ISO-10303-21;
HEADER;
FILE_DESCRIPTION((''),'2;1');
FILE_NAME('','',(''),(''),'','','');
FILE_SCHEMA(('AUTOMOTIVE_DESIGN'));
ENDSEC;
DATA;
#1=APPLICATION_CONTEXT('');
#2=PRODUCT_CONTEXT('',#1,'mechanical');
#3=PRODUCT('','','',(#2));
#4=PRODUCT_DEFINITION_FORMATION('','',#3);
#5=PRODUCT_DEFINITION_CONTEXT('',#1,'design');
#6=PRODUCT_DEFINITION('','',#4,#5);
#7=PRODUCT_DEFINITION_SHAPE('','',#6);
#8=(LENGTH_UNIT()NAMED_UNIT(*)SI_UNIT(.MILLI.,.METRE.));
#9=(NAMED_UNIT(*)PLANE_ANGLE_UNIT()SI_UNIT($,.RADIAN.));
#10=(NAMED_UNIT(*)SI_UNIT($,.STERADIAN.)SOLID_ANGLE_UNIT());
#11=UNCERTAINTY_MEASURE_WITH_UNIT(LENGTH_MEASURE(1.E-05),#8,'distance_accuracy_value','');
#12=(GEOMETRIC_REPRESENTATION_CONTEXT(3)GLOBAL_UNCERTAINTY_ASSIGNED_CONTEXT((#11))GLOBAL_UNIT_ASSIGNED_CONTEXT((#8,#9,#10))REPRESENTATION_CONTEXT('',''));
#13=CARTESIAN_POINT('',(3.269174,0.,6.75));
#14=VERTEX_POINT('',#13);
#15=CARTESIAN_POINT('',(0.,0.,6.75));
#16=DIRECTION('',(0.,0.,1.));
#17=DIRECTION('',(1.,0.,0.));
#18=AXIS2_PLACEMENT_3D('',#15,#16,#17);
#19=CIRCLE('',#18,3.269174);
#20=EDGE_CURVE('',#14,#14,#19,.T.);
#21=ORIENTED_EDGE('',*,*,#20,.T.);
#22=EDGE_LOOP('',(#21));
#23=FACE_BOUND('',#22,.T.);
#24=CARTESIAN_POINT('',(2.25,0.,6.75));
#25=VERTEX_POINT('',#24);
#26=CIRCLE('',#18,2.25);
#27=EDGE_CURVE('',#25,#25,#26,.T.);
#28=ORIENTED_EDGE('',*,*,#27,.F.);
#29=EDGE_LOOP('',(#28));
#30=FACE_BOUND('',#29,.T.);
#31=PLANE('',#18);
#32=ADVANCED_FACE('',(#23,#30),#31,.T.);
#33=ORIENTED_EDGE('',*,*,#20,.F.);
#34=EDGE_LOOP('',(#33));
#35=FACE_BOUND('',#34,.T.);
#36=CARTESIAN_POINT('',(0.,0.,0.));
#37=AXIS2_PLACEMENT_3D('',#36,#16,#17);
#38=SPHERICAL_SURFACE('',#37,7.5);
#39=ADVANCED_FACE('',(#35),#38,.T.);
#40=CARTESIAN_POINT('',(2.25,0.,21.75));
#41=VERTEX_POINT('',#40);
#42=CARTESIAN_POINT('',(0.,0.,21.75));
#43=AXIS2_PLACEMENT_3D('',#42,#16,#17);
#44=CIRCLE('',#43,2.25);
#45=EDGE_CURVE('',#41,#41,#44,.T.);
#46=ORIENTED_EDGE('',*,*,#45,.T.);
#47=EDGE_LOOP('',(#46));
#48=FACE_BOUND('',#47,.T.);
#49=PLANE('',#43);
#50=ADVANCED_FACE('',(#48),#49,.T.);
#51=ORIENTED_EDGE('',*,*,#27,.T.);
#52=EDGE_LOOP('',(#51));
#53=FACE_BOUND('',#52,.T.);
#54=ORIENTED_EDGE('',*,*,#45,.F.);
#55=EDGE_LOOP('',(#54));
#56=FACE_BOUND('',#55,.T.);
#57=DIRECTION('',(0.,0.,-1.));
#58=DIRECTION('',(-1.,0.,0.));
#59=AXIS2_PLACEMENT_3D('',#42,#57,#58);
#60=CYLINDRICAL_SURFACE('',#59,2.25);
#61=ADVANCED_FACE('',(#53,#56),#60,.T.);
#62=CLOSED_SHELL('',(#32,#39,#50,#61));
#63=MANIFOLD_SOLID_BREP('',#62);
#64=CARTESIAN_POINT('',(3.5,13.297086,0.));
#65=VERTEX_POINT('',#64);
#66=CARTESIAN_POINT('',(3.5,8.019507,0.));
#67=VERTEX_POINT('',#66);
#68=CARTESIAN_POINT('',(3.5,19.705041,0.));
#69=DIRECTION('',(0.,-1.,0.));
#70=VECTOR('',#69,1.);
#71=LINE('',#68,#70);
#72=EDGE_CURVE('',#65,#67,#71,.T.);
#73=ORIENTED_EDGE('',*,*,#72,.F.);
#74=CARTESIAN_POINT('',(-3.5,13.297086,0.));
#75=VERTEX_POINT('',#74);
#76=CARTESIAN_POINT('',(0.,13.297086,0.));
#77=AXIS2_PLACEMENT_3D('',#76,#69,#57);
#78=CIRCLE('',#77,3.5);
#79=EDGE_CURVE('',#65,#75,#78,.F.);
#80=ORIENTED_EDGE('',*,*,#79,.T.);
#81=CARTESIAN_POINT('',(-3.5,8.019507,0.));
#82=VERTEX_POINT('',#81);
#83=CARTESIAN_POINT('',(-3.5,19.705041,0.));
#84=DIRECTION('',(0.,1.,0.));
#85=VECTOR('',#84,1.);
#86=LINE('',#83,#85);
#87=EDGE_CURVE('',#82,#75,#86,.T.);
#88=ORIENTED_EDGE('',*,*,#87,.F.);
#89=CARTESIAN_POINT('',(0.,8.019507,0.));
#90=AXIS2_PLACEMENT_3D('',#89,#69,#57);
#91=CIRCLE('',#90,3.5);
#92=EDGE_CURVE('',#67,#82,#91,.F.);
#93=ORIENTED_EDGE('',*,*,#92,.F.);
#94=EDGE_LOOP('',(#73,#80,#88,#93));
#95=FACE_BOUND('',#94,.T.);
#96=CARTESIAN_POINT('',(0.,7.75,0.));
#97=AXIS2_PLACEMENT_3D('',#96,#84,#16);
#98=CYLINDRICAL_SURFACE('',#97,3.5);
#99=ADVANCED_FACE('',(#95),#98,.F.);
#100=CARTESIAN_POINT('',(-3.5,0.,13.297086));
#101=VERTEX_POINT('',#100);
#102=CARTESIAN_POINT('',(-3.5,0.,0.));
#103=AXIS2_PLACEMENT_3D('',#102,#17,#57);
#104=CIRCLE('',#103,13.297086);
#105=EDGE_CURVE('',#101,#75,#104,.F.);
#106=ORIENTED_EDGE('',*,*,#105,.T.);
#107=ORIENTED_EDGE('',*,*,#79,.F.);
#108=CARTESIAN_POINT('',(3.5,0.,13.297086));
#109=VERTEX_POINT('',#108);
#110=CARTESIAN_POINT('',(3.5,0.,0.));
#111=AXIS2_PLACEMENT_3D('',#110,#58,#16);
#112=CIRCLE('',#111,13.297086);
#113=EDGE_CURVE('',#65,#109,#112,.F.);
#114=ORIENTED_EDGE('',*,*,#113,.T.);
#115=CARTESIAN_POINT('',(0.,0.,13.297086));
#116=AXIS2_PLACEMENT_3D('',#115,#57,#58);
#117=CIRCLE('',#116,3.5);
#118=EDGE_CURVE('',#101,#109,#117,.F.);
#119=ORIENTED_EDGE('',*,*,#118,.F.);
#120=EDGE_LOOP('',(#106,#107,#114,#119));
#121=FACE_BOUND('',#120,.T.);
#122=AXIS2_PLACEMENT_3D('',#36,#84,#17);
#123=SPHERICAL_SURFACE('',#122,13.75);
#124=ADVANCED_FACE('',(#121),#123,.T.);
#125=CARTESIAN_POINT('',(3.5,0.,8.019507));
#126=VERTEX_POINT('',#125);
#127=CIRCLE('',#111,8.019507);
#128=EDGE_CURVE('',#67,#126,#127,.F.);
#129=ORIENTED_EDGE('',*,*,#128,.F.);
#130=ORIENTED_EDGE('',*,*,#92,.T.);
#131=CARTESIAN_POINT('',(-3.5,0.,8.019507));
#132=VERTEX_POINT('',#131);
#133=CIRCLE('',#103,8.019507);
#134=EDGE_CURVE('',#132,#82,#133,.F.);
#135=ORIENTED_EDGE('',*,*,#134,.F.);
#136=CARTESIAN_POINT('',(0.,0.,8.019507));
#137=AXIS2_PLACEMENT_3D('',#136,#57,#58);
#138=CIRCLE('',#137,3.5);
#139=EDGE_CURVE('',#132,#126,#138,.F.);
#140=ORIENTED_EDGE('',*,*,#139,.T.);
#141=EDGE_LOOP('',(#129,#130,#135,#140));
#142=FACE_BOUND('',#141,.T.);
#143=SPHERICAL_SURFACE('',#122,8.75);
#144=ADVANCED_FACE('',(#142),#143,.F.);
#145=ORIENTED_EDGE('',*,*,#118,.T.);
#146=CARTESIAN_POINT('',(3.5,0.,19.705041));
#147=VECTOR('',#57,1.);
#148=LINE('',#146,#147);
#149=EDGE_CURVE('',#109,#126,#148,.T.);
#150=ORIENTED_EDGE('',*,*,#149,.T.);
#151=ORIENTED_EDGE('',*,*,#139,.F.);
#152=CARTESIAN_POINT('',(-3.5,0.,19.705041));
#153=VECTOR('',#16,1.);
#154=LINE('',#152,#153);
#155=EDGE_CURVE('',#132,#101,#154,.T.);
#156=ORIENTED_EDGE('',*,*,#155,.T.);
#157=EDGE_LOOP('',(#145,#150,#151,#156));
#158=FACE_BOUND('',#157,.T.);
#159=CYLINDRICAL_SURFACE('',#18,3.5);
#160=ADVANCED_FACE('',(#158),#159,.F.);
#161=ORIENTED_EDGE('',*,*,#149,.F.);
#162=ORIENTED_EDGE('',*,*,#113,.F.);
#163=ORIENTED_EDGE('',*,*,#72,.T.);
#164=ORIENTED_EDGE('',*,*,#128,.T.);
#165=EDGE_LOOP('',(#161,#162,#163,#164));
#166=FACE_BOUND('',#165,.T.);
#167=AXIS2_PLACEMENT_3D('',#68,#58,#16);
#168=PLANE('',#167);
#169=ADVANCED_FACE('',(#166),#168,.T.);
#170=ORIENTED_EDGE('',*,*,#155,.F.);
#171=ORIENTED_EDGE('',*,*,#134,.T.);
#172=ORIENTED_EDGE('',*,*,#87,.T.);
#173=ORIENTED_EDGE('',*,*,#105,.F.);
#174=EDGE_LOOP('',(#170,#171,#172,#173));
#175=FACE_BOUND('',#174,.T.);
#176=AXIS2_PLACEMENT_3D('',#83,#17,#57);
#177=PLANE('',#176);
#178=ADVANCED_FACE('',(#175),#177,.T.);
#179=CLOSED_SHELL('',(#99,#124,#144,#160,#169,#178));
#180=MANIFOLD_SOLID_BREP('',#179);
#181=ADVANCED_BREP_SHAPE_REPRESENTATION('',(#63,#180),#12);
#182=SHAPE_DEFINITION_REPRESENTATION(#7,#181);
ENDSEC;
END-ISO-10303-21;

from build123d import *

# Parameters (mm, degrees)
SKETCH4_R           = 3.5
CUT_EXTRUDE3_DEPTH  = 7
SKETCH12_W          = 7
SKETCH12_H          = 11.910081264
SKETCH13_R          = 3.5
CUT_EXTRUDE4_DEPTH  = 6
SKETCH14_R          = 2.25
BOSS_EXTRUDE3_DEPTH = 15


with BuildPart() as part:
    # Sketch1 → Revolve1 (revolve)
    with BuildSketch(Plane.XY):
        with BuildLine():
            Line((0, 7.5), (0, -7.5))
            ThreePointArc((0, -7.5), (-7.5, 0), (0, 7.5))
        make_face()
    revolve(axis=Axis((0, -7.5, 0), (0, 1, 0)))


with BuildPart() as body_2:
    # Sketch2 → Revolve-Thin2 (revolve)
    with BuildSketch(Plane.XY):
        with BuildLine():
            ThreePointArc((0, 8.75), (-8.75, 0), (0, -8.75))
            Line((0, -8.75), (0, -13.75))
            ThreePointArc((0, -13.75), (-13.75, 0), (0, 13.75))
            Line((0, 13.75), (0, 8.75))
        make_face()
    revolve(axis=Axis((0, 7.5, 0), (0, -1, 0)))


with BuildPart() as cut_extrude3_tool:
    # Sketch4 → Cut-Extrude3 (new body)
    with BuildSketch(Plane.XY.offset(13.75)):
        with Locations(Location((0, 0, 0), (0, 0, 180))):
            Circle(SKETCH4_R)
    extrude(amount=-CUT_EXTRUDE3_DEPTH)


with BuildPart() as part_1:
    add(part.part)

    # Cut-Extrude3: cut by cut_extrude3_tool
    add(cut_extrude3_tool.part, mode=Mode.SUBTRACT)

    # Sketch14 → Boss-Extrude3 (add)
    with BuildSketch(Plane.XY.offset(6.75)):
        Circle(SKETCH14_R)
    extrude(amount=BOSS_EXTRUDE3_DEPTH)


with BuildPart() as body_2_1:
    add(body_2.part)

    # Cut-Extrude3: cut by cut_extrude3_tool
    add(cut_extrude3_tool.part, mode=Mode.SUBTRACT)

    # Cut-Sweep2: sweep along a path in Sketch11
    with BuildLine(Plane(origin=(0, 0, 0), x_dir=(0, 0, -1), z_dir=(1, 0, 0))) as cut_sweep2_path:
        ThreePointArc((0, 13.75), (-9.722718241, 9.722718241), (-13.75, 0))
    # Sketch12 → Cut-Sweep2 (sweep, cut)
    with BuildSketch(Plane(origin=(0, 0, 0), x_dir=(1, 0, 0), z_dir=(0, 1, 0))):
        with Locations((0, -13.75)):
            Rectangle(SKETCH12_W, SKETCH12_H)
    sweep(path=cut_sweep2_path.line, mode=Mode.SUBTRACT)

    # Sketch13 → Cut-Extrude4 (cut)
    with BuildSketch(Plane(origin=(0, 13.75, 0), x_dir=(1, 0, 0), z_dir=(0, 1, 0))):
        Circle(SKETCH13_R)
    extrude(amount=-CUT_EXTRUDE4_DEPTH, mode=Mode.SUBTRACT)


solid = Compound([part_1.part, body_2_1.part])
